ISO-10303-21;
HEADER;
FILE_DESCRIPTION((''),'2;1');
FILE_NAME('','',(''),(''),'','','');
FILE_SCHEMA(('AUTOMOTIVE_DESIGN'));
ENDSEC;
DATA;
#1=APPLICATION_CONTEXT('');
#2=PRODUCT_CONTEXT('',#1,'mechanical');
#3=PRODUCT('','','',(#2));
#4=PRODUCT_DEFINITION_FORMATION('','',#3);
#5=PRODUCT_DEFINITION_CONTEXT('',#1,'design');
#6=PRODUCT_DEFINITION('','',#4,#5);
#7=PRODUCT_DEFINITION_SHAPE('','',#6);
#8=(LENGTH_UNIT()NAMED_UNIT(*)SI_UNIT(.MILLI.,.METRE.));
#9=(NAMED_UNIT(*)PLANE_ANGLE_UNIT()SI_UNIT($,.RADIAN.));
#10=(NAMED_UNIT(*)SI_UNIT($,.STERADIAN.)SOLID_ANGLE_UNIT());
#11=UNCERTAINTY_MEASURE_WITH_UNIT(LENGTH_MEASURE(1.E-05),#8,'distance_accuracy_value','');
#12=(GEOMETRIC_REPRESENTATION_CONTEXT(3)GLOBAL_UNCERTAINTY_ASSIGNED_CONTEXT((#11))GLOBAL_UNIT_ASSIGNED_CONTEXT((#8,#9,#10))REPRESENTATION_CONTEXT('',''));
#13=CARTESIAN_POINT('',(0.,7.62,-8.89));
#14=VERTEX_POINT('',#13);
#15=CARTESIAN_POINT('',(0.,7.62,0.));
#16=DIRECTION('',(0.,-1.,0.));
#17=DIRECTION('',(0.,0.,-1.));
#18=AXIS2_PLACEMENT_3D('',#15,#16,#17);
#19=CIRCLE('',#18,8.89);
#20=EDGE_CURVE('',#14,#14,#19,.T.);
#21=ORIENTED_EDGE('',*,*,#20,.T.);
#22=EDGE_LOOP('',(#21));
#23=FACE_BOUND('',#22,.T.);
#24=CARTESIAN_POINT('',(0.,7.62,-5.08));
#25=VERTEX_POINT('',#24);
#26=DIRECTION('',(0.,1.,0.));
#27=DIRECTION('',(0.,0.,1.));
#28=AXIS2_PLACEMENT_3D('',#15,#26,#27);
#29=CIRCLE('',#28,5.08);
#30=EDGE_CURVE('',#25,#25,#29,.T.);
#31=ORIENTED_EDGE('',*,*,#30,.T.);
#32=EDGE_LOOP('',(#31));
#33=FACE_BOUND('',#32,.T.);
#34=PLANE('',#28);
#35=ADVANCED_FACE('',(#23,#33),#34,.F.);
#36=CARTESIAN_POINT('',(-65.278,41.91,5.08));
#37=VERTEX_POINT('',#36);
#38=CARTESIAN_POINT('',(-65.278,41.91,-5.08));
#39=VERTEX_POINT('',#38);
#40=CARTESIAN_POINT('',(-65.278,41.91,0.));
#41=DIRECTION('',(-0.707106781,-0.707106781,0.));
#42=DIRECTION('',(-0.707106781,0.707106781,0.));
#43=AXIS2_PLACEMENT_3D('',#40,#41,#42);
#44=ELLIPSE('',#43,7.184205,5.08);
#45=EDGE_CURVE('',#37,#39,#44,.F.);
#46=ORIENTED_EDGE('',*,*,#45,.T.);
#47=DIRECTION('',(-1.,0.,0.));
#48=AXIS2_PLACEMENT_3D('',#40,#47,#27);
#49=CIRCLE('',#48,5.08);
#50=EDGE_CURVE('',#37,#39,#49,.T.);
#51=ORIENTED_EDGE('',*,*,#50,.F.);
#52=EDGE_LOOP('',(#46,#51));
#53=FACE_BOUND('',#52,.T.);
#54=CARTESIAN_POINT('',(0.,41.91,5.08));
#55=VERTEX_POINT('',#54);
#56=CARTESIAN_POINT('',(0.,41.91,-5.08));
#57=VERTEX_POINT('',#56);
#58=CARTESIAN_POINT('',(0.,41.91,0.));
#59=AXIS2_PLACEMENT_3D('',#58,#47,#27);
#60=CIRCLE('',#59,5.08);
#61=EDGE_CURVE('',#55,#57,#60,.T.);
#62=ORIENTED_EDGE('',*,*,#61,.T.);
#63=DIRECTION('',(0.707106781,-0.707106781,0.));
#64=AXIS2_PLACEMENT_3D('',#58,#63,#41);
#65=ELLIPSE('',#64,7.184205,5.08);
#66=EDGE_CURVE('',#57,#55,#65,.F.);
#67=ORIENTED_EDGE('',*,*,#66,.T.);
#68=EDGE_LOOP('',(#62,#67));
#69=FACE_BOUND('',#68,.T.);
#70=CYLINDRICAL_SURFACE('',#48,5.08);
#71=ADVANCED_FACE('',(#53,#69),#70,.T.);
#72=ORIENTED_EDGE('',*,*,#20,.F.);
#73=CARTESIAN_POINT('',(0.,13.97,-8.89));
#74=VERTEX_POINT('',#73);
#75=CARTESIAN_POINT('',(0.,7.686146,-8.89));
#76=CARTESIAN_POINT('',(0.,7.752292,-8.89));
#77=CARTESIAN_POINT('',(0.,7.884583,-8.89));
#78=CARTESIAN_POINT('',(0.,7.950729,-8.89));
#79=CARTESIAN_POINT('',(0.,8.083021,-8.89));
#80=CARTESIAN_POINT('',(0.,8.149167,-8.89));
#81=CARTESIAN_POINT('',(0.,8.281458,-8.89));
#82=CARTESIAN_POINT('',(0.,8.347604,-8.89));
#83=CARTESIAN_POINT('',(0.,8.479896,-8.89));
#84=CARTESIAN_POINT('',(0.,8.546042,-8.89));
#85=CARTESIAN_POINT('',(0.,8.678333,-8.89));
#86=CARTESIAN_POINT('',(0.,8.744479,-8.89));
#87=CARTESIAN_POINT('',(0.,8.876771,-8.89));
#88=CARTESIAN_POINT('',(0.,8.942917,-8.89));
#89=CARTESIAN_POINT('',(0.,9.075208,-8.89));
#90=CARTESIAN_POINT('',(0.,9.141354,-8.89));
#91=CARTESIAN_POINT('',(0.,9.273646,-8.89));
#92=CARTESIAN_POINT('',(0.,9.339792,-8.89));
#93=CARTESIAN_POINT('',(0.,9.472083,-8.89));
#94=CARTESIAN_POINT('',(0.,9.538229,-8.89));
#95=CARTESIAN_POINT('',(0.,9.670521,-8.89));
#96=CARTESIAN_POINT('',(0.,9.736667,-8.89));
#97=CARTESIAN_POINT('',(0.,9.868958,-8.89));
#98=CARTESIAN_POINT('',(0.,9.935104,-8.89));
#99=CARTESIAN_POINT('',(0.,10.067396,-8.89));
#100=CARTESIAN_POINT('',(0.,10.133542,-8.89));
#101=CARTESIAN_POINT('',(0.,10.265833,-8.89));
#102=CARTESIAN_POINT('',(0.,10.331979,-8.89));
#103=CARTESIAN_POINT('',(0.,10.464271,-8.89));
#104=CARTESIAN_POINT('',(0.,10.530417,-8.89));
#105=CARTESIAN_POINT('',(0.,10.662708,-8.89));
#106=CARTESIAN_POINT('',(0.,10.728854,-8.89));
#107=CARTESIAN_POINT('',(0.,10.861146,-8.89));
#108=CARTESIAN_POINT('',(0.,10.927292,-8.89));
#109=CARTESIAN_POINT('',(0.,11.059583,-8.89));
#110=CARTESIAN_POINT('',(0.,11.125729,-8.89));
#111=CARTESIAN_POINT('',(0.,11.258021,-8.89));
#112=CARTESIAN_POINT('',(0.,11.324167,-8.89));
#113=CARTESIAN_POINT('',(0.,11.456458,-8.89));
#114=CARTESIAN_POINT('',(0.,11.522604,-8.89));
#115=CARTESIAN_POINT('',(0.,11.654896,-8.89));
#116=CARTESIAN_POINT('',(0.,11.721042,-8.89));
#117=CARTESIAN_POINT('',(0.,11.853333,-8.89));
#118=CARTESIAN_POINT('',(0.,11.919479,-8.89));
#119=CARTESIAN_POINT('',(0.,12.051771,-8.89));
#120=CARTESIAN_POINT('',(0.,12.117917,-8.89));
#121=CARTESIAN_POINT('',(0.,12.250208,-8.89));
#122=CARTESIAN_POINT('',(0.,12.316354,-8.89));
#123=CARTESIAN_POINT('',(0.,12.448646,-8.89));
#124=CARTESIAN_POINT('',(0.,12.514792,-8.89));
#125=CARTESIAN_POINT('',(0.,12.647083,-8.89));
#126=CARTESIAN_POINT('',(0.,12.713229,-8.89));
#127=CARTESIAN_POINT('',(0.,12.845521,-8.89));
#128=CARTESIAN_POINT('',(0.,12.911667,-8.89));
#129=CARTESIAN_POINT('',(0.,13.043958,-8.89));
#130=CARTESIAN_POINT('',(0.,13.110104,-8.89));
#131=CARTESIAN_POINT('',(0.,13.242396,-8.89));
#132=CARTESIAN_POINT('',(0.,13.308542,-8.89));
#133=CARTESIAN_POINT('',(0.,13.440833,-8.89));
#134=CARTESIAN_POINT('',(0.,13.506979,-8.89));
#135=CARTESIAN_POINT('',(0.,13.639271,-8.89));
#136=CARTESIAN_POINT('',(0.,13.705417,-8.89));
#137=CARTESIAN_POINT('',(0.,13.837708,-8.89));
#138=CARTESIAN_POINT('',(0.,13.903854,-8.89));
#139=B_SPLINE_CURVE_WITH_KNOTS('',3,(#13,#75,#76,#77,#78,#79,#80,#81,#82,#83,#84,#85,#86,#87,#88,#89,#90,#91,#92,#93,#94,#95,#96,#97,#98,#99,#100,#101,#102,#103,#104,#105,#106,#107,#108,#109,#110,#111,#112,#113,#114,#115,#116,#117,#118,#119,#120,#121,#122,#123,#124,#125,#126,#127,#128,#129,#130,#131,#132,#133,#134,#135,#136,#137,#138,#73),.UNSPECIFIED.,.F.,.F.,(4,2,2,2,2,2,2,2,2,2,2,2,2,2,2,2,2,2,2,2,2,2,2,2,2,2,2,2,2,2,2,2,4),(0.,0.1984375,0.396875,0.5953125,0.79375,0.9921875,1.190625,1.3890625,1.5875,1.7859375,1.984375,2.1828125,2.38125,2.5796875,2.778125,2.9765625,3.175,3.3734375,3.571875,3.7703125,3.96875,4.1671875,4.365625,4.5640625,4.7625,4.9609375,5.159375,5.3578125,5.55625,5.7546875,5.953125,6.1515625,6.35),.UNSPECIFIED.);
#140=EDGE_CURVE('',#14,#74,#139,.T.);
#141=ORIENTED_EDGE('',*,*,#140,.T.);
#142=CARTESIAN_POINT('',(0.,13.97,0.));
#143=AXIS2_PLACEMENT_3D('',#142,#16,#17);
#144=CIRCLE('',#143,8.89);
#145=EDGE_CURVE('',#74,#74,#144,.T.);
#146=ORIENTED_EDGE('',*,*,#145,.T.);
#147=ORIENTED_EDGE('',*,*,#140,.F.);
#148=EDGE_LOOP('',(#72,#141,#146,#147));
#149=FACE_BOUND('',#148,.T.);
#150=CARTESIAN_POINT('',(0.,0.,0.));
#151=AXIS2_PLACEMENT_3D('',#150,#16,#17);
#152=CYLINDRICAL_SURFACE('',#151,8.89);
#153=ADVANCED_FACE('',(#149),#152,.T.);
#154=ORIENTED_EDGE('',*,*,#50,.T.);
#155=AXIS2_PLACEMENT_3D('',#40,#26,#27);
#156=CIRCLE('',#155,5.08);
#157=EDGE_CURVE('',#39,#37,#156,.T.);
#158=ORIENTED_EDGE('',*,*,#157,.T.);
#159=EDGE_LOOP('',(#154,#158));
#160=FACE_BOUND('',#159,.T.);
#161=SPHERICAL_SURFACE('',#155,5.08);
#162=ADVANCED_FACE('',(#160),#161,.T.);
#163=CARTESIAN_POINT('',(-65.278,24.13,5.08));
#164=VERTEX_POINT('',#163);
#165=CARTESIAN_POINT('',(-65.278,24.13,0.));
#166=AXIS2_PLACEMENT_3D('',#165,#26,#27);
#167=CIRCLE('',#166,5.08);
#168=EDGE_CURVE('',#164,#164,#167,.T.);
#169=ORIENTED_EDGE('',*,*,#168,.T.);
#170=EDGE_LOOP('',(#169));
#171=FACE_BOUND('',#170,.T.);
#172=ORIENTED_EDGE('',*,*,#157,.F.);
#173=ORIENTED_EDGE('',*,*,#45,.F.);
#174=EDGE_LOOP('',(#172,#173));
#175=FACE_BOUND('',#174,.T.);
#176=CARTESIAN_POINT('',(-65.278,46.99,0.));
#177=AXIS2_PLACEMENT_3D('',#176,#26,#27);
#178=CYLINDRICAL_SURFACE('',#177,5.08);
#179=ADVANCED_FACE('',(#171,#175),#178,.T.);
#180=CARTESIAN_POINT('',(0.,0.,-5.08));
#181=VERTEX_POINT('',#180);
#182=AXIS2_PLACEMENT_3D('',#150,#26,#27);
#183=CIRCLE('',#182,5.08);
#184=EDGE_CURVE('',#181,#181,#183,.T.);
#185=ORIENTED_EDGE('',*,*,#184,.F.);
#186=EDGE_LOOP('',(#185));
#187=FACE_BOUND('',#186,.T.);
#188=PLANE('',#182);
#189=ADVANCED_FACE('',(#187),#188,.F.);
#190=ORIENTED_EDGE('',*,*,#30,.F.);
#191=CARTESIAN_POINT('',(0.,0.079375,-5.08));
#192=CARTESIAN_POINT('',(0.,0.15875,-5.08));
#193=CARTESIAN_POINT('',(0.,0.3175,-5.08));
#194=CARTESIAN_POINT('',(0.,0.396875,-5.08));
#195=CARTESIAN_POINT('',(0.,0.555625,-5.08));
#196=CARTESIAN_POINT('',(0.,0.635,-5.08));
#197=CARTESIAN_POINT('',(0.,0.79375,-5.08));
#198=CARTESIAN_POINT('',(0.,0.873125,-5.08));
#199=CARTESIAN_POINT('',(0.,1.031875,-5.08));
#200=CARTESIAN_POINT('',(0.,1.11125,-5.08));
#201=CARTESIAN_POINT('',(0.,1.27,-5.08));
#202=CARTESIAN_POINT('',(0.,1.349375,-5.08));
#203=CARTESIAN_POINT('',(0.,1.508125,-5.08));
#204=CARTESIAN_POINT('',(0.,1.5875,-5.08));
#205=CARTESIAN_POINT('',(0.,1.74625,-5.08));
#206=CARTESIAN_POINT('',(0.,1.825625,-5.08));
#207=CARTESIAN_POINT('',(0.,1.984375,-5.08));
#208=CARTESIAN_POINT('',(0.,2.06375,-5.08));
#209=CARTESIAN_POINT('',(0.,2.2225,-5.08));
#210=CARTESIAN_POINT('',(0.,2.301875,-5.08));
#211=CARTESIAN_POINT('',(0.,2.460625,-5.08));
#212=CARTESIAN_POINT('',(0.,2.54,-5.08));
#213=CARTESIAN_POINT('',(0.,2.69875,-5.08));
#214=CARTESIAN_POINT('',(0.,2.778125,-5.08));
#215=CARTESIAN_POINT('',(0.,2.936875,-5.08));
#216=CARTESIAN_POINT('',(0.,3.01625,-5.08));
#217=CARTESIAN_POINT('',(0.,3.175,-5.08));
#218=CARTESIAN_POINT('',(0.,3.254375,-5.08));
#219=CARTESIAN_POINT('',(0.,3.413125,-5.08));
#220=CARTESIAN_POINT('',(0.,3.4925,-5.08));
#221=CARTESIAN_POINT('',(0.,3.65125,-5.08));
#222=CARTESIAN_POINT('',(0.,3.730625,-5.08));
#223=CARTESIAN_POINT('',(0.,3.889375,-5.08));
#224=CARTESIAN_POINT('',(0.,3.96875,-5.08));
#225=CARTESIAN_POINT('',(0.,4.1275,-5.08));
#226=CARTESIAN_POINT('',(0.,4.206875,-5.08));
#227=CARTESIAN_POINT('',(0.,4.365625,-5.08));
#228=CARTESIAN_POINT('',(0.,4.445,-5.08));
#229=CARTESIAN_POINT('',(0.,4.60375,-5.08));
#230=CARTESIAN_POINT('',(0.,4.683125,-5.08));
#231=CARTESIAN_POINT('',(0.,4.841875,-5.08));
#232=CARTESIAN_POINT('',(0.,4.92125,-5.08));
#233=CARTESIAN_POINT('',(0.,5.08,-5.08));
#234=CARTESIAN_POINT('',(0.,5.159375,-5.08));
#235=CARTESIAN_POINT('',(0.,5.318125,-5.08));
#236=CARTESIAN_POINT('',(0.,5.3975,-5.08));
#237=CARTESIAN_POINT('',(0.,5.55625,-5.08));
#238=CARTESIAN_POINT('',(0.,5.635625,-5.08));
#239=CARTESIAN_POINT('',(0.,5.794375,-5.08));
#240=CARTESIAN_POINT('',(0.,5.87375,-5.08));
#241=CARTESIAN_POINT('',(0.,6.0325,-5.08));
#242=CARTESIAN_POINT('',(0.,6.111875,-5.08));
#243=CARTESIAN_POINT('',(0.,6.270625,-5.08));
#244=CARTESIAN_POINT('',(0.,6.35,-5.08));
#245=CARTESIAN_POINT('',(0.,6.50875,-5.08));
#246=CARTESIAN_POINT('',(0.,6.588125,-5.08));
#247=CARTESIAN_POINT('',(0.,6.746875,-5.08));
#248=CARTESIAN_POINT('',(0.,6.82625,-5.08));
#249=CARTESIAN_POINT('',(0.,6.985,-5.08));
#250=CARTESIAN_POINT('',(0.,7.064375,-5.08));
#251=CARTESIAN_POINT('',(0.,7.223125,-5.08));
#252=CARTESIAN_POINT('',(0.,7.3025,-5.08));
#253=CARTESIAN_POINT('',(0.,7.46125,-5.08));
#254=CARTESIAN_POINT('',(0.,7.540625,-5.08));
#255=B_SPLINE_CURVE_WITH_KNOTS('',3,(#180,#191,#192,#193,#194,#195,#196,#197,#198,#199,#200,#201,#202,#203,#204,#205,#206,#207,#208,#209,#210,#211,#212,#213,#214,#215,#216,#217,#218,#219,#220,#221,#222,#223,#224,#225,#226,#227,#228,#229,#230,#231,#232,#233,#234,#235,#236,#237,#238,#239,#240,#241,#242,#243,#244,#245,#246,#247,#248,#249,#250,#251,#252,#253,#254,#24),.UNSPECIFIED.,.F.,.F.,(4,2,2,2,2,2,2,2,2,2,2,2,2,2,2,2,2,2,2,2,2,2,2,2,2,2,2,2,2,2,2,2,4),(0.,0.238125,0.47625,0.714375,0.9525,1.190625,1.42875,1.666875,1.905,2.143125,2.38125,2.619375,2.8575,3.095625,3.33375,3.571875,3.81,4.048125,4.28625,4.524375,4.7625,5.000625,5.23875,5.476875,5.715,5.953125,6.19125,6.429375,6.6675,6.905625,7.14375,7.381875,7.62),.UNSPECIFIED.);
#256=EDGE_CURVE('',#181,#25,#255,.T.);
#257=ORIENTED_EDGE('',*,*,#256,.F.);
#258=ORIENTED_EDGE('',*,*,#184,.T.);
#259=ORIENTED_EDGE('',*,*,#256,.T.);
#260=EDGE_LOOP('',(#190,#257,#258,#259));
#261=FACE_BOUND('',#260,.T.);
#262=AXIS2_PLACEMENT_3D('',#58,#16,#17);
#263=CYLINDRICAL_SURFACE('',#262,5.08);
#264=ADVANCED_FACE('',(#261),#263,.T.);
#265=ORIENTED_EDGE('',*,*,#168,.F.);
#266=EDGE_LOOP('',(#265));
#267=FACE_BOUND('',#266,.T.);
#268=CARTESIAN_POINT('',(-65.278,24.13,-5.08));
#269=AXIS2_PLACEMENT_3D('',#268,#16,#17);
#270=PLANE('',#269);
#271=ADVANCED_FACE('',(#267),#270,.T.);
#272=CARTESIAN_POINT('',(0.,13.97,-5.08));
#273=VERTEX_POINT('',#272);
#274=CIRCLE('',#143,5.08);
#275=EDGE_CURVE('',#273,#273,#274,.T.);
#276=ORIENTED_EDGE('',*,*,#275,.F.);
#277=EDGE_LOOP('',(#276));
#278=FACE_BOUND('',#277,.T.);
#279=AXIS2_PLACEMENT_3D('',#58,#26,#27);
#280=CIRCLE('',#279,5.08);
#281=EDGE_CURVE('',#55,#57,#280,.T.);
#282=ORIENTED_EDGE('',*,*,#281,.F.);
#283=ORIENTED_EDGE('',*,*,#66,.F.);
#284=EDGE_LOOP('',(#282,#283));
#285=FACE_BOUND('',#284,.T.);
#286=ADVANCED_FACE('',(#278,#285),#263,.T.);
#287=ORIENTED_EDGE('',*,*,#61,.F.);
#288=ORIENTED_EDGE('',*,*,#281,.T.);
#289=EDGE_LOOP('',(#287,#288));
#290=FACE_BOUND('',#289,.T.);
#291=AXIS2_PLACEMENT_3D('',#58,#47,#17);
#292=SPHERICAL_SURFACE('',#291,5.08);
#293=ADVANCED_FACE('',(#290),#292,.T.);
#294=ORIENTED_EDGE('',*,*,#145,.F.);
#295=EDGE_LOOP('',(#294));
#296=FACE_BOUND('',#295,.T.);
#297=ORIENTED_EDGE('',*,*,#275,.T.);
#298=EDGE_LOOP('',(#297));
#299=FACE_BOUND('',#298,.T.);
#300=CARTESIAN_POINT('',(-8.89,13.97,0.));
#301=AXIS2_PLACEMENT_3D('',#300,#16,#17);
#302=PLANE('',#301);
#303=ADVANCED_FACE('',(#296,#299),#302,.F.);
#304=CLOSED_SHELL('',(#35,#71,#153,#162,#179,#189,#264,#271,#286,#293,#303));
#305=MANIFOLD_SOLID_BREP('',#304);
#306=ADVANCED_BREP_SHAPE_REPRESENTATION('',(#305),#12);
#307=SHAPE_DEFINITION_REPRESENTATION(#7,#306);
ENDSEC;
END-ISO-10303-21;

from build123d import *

# Parameters (mm, degrees)
SKETCH2_R           = 5.08
BOSS_EXTRUDE2_DEPTH = 41.91
SKETCH3_W           = 8.89
SKETCH3_H           = 6.35


with BuildPart() as part:
    # Sketch2 → Boss-Extrude2 (new body)
    with BuildSketch(Plane(origin=(0, 0, 0), x_dir=(-1, 0, 0), z_dir=(0, 1, 0))):
        with Locations(Location((0, 0, 0), (0, 0, 90))):
            Circle(SKETCH2_R)
    extrude(amount=BOSS_EXTRUDE2_DEPTH)

    # Sketch3 → Revolve1 (revolve)
    with BuildSketch(Plane.XY, mode=Mode.PRIVATE) as revolve1_sk:
        with Locations((-4.445, 10.795)):
            Rectangle(SKETCH3_W, SKETCH3_H)
    revolve(revolve1_sk.sketch.rotate(Axis((0, 0, 0), (0, 1, 0)), 270), axis=Axis((0, 0, 0), (0, 1, 0)))

    # Sketch4 → Revolve2 (revolve)
    with BuildSketch(Plane(origin=(0, 41.91, 0), x_dir=(1, 0, 0), z_dir=(0, 1, 0)), mode=Mode.PRIVATE) as revolve2_sk:
        with BuildLine():
            Line((0, 5.08), (-65.278, 5.08))
            Line((-65.278, 5.08), (-65.278, 0))
            Line((-65.278, 0), (5.08, 0))
            ThreePointArc((5.08, 0), (3.592102448, 3.592102448), (0, 5.08))
        make_face()
    revolve(revolve2_sk.sketch.rotate(Axis((-65.278, 41.91, 0), (1, 0, 0)), 180), axis=Axis((-65.278, 41.91, 0), (1, 0, 0)))

    # Sketch5 → Revolve3 (revolve)
    with BuildSketch(Plane.ZY.offset(65.278), mode=Mode.PRIVATE) as revolve3_sk:
        with BuildLine():
            Line((0, 46.99), (0, 24.13))
            Line((0, 24.13), (-5.08, 24.13))
            Line((-5.08, 24.13), (-5.08, 41.91))
            ThreePointArc((-5.08, 41.91), (-3.592102448, 45.502102448), (0, 46.99))
        make_face()
    revolve(revolve3_sk.sketch.rotate(Axis((-65.278, 46.99, 0), (0, -1, 0)), 180), axis=Axis((-65.278, 46.99, 0), (0, -1, 0)))


solid = part.part
